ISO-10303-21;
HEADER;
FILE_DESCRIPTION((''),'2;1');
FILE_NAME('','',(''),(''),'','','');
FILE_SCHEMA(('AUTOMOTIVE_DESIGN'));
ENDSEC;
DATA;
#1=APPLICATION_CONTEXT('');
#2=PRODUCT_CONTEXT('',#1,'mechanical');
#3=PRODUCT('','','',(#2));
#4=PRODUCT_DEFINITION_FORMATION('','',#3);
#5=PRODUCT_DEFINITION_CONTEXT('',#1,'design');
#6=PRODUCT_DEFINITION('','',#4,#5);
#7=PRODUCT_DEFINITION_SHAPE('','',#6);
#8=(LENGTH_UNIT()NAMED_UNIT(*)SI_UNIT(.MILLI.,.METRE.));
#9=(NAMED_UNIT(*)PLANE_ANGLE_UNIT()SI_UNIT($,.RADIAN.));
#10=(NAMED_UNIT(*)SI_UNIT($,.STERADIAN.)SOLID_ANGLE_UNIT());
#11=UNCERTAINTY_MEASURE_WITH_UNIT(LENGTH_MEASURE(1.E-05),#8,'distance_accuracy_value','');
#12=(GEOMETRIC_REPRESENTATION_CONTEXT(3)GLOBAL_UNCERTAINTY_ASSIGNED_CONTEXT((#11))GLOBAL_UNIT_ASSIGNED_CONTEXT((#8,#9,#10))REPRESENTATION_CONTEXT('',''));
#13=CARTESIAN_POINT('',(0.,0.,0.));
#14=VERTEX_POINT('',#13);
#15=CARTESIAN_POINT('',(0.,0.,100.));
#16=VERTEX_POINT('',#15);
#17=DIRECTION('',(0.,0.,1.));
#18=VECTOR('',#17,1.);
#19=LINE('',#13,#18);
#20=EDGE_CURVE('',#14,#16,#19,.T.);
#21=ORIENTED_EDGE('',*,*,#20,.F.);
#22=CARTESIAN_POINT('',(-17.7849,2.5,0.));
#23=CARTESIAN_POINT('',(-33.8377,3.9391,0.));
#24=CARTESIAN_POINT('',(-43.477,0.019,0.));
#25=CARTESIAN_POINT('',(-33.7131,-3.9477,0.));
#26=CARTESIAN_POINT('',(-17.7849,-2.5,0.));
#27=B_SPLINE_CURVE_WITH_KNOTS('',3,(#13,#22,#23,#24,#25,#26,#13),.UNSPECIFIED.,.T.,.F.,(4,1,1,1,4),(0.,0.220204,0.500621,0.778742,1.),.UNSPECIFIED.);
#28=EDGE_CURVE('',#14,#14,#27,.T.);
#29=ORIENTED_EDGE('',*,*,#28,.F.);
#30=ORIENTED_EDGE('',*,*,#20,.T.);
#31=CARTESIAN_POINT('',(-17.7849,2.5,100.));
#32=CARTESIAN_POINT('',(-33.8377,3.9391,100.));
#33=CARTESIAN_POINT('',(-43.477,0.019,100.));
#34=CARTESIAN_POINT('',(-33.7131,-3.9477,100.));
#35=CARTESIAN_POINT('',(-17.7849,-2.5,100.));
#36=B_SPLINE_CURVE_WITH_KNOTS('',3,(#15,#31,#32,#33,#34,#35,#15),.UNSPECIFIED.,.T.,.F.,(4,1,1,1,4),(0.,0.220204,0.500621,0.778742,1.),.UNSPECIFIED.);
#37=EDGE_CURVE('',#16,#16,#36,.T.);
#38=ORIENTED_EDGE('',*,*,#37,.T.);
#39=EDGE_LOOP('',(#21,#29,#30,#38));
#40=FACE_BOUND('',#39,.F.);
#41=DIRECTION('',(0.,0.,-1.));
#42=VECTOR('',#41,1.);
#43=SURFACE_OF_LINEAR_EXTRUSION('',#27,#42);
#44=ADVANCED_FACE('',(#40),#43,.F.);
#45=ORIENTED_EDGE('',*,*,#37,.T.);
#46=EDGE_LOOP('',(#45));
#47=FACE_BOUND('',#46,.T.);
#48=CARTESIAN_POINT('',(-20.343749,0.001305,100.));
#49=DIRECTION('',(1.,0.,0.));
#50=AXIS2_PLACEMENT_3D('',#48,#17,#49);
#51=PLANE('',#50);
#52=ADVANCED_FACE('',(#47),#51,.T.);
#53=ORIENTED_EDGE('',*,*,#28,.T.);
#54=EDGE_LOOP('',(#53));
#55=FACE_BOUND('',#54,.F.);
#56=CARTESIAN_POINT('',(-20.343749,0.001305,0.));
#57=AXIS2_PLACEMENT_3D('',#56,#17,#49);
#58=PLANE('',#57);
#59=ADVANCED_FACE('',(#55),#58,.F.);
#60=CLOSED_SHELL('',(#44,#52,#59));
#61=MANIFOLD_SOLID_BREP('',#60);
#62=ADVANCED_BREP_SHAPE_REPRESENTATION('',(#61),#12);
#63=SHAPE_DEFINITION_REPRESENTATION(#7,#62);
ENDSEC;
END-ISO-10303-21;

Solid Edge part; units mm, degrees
sketch "Sketch1" plane through (0, 0, 0) normal (0, 0, 1) x (1, 0, 0)
  spline S0 degree 3 poles (0, 0) (-17.7849, 2.5) (-33.8377, 3.9391) (-43.477, 0.019) (-33.7131, -3.9477) (-17.7849, -2.5) (0, 0) knots 0 0 0 0 0.220204 0.500621 0.778742 1 1 1 1
extrude "Protrusion1" add sketch "Sketch1" along normal blind 100
